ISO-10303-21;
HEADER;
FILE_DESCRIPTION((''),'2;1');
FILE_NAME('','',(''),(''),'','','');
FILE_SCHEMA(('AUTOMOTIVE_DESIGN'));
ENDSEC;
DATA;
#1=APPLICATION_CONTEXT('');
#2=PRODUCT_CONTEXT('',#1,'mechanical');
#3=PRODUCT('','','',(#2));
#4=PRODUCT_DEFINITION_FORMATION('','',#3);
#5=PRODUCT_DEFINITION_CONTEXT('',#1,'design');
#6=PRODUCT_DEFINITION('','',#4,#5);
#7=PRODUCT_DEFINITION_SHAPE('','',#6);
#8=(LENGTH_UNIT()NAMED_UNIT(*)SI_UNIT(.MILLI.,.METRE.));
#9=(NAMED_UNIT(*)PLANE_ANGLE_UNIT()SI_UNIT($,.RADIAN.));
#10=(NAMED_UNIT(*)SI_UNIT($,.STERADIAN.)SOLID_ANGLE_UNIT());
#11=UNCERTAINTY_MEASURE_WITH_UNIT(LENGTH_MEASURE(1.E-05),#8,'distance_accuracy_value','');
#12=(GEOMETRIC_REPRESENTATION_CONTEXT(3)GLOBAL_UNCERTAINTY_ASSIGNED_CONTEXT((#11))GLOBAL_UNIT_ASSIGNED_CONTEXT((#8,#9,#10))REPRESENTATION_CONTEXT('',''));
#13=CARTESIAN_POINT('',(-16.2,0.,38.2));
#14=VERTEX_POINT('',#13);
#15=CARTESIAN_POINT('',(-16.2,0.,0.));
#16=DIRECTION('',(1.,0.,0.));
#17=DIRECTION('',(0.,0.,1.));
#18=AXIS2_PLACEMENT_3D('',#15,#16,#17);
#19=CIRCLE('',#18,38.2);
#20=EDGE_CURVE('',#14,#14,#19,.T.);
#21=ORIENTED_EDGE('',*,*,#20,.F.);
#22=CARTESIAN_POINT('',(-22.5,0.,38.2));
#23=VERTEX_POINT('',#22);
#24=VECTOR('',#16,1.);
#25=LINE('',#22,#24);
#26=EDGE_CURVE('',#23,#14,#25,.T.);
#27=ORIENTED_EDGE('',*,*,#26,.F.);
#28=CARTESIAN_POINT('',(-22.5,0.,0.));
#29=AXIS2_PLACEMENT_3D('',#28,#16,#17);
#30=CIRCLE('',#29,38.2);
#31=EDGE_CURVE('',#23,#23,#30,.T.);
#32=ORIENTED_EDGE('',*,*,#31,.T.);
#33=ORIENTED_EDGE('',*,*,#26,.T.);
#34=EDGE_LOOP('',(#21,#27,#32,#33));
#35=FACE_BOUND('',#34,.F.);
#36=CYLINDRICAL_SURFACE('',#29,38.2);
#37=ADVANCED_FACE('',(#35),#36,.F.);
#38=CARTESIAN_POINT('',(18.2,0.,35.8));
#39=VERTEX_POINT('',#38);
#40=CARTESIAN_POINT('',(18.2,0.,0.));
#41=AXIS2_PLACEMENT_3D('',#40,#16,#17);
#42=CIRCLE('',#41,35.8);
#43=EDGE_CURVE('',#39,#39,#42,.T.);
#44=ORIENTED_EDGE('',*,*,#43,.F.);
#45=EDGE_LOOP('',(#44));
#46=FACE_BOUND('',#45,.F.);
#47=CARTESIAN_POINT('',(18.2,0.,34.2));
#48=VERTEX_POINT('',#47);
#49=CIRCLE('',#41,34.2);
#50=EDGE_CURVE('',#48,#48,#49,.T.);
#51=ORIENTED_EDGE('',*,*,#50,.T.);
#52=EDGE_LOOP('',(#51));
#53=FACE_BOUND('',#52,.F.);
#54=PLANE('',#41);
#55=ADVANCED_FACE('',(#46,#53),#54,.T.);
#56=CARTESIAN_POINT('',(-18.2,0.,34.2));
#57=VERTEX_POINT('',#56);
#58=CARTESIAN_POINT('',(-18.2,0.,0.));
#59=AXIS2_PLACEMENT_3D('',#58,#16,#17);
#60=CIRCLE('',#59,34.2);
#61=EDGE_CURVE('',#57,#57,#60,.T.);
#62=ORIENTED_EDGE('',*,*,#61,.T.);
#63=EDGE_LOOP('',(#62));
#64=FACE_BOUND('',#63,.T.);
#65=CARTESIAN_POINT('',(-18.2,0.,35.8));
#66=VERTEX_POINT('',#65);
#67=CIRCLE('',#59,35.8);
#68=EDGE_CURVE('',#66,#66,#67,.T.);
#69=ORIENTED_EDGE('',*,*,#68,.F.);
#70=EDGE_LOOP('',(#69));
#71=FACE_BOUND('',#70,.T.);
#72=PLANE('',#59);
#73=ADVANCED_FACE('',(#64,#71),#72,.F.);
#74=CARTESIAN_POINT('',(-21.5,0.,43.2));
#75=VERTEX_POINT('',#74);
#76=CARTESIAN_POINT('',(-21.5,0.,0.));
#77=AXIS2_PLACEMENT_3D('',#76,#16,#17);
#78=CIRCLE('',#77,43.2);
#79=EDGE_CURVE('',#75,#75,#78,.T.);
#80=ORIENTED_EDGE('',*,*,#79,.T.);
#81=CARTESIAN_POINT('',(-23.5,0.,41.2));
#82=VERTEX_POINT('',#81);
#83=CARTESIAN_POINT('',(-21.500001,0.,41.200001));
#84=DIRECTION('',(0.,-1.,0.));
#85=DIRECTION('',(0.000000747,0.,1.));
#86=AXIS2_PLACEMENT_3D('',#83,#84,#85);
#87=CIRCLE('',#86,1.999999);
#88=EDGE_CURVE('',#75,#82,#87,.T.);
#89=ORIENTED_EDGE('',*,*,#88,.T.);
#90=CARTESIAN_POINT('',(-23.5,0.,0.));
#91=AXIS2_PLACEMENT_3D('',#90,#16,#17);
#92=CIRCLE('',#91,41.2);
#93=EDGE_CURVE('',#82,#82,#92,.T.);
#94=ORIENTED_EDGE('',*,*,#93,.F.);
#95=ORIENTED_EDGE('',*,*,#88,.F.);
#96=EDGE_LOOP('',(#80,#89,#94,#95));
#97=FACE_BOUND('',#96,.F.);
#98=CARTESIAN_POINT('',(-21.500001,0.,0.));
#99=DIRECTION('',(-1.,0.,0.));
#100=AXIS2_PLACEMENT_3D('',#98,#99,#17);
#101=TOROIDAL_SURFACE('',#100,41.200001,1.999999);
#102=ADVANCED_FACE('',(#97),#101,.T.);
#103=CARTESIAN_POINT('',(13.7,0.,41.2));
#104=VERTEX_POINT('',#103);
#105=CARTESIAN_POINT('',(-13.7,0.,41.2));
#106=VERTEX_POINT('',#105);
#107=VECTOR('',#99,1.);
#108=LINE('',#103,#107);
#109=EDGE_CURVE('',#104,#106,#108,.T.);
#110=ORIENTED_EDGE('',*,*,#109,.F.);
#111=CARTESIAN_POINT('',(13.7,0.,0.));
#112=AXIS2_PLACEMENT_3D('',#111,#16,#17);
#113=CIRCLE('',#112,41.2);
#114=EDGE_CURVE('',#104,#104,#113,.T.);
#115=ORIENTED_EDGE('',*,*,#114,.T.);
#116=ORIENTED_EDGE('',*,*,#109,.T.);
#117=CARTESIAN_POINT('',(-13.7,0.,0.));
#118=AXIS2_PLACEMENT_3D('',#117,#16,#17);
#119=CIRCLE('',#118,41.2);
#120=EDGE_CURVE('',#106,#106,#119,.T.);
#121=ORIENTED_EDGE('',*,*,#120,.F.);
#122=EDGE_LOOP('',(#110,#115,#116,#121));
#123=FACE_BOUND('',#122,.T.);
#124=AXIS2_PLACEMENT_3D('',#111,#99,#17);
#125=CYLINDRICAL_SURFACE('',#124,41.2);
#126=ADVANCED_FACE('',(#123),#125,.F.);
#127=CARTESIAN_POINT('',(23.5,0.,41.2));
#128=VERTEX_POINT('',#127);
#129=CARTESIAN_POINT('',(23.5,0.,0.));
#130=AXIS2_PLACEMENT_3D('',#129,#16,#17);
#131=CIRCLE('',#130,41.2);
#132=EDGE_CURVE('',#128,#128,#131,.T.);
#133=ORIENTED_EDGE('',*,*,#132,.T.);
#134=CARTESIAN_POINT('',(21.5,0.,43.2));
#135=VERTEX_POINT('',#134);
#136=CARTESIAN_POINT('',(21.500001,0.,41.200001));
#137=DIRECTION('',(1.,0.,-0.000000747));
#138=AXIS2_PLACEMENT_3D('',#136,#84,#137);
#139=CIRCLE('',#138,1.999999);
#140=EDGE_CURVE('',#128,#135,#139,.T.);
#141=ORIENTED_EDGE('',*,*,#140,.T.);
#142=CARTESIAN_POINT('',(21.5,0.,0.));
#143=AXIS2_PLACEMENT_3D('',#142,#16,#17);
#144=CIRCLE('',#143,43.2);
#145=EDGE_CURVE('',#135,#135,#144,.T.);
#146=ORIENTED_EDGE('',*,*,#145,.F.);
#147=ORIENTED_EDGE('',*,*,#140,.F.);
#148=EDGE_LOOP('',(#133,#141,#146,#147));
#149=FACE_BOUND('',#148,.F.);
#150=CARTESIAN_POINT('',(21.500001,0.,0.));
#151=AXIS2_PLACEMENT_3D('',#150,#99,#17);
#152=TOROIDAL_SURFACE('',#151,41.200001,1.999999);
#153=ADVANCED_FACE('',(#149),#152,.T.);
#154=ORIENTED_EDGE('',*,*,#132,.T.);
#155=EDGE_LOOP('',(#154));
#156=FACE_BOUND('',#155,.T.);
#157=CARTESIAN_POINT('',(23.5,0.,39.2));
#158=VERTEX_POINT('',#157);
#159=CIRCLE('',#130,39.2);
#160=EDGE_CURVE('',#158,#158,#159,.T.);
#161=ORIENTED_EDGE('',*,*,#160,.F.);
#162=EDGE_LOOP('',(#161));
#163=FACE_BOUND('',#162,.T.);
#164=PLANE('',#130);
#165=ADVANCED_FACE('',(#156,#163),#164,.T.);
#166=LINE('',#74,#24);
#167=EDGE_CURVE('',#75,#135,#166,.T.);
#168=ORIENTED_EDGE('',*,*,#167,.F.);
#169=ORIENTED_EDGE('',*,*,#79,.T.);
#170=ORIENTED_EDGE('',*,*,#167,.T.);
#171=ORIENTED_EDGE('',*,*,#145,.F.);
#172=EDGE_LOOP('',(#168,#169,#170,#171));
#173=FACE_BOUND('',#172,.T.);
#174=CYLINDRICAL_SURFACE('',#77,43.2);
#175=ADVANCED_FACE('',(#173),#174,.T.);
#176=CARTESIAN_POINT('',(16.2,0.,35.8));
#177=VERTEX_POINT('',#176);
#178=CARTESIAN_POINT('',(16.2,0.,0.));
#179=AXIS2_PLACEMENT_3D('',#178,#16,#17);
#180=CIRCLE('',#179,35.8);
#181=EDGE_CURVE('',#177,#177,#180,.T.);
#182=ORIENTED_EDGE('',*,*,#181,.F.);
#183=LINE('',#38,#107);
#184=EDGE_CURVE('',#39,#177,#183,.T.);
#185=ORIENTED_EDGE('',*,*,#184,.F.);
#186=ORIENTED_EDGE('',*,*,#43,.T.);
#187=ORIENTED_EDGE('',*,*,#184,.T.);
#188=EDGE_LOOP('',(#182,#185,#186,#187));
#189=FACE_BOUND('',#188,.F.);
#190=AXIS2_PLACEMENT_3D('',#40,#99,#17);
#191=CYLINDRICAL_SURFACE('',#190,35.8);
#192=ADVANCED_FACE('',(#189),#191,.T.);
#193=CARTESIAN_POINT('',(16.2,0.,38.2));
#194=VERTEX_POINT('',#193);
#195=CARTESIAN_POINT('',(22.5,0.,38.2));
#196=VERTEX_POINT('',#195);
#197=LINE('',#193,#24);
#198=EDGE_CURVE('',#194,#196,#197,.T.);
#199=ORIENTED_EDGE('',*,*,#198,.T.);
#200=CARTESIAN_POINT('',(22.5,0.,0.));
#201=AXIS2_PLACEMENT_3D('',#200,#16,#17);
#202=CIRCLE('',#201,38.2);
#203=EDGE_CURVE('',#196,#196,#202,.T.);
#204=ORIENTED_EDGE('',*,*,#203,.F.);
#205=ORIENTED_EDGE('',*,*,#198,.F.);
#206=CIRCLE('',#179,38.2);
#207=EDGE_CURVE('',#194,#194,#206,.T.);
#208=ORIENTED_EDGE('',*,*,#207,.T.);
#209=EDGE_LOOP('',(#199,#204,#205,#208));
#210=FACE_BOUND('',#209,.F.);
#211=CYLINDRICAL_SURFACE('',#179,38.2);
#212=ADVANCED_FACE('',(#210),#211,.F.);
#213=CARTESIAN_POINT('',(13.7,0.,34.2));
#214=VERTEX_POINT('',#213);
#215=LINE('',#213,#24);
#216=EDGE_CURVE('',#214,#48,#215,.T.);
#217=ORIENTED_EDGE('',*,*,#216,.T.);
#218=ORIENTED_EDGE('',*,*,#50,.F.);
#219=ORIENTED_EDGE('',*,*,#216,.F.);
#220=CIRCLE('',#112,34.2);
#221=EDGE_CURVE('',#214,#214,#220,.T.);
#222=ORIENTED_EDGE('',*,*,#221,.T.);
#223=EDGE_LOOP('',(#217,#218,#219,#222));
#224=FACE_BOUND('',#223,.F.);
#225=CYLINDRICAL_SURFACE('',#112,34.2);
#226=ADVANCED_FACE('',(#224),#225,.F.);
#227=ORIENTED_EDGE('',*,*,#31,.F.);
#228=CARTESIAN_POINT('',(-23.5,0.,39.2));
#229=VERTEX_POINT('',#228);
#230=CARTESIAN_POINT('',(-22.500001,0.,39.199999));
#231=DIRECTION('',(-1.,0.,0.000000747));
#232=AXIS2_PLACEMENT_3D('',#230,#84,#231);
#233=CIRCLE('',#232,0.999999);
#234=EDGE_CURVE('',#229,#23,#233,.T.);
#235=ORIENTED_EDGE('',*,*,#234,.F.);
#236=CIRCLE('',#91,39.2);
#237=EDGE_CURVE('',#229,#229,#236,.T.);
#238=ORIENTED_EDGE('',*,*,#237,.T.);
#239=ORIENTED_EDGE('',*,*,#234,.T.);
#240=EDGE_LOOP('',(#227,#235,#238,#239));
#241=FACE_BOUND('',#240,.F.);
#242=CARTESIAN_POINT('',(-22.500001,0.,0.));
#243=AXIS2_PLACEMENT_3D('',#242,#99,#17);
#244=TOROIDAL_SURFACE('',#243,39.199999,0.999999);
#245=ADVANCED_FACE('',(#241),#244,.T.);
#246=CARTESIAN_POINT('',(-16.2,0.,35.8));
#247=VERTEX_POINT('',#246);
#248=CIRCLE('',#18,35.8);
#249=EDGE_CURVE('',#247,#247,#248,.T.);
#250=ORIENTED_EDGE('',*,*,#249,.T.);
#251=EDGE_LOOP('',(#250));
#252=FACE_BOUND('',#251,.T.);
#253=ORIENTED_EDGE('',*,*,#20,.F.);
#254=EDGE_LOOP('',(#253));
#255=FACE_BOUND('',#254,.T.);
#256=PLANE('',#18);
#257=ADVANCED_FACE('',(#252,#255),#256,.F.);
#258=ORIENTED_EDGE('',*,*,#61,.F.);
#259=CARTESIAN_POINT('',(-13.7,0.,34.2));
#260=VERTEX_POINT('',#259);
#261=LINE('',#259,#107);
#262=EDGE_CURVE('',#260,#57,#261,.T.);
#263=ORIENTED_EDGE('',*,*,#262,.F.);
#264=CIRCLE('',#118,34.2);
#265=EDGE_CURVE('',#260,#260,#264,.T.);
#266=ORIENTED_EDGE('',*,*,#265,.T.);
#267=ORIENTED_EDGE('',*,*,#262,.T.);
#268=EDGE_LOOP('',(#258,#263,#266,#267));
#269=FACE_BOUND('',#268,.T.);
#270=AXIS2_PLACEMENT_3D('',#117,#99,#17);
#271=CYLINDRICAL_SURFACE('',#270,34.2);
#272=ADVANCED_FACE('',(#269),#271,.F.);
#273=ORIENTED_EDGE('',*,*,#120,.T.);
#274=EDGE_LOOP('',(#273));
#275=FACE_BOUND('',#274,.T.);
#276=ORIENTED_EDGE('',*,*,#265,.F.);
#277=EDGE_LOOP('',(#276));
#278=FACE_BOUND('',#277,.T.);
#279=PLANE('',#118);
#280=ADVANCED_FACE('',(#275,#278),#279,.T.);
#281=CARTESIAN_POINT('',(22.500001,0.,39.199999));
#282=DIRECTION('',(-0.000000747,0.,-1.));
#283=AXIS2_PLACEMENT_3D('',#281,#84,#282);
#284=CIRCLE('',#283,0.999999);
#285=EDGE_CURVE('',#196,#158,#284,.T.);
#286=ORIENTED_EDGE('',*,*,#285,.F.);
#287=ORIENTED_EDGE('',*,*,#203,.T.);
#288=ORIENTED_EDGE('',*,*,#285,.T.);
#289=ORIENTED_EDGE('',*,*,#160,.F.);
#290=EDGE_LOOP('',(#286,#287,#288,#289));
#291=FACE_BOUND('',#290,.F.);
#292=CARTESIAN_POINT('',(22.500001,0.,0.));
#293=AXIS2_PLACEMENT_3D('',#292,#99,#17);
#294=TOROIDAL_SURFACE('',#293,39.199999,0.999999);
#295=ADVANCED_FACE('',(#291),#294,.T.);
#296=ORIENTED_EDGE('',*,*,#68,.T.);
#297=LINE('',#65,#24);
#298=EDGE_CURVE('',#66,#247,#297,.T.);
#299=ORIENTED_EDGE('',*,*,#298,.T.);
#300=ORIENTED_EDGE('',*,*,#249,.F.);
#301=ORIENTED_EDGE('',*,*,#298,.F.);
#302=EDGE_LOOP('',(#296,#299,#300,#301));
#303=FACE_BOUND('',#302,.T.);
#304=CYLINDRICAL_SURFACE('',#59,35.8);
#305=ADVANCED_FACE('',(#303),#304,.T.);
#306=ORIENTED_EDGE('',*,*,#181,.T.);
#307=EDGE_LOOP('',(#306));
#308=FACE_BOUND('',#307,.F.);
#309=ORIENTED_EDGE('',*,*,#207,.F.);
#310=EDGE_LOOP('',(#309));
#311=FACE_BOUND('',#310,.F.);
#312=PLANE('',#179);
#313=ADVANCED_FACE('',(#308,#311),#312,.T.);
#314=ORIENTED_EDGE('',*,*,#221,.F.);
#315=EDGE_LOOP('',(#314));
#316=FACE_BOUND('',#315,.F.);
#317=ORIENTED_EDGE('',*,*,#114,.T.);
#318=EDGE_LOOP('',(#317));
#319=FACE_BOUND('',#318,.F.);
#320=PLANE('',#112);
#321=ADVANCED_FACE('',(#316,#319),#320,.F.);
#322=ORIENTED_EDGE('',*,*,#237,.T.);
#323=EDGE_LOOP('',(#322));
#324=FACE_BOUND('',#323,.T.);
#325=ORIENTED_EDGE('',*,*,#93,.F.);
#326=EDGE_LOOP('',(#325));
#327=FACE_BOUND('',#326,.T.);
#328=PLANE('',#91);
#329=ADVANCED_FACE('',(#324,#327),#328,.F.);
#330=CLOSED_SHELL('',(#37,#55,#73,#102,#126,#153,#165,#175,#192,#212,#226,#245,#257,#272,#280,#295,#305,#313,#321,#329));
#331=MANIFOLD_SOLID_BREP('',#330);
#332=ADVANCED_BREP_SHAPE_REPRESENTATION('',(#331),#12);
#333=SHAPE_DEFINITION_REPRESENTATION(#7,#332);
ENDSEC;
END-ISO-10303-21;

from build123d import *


with BuildPart() as part:
    # Sketch → Revolution (revolve)
    with BuildSketch(Plane.XZ):
        with BuildLine():
            Line((-13.7, 41.2), (-13.7, 34.2))
            Line((-13.7, 34.2), (-18.2, 34.2))
            Line((-18.2, 34.2), (-18.2, 35.8))
            Line((-18.2, 35.8), (-16.2, 35.8))
            Line((-16.2, 35.8), (-16.2, 38.2))
            Line((-22.5, 38.2), (-16.2, 38.2))
            ThreePointArc((-23.5, 39.2), (-23.207107, 38.492893), (-22.5, 38.2))
            Line((-23.5, 39.2), (-23.5, 41.2))
            ThreePointArc((-21.5, 43.2), (-22.914214, 42.614214), (-23.5, 41.2))
            Line((-21.5, 43.2), (21.5, 43.2))
            ThreePointArc((23.5, 41.2), (22.914214, 42.614214), (21.5, 43.2))
            Line((23.5, 41.2), (23.5, 39.2))
            ThreePointArc((22.5, 38.2), (23.207107, 38.492893), (23.5, 39.2))
            Line((16.2, 38.2), (22.5, 38.2))
            Line((16.2, 35.8), (16.2, 38.2))
            Line((18.2, 35.8), (16.2, 35.8))
            Line((18.2, 34.2), (18.2, 35.8))
            Line((13.7, 34.2), (18.2, 34.2))
            Line((13.7, 41.2), (13.7, 34.2))
            Line((13.7, 41.2), (-13.7, 41.2))
        make_face()
    revolve(axis=Axis((0, 0, 0), (1, 0, 0)))


solid = part.part
